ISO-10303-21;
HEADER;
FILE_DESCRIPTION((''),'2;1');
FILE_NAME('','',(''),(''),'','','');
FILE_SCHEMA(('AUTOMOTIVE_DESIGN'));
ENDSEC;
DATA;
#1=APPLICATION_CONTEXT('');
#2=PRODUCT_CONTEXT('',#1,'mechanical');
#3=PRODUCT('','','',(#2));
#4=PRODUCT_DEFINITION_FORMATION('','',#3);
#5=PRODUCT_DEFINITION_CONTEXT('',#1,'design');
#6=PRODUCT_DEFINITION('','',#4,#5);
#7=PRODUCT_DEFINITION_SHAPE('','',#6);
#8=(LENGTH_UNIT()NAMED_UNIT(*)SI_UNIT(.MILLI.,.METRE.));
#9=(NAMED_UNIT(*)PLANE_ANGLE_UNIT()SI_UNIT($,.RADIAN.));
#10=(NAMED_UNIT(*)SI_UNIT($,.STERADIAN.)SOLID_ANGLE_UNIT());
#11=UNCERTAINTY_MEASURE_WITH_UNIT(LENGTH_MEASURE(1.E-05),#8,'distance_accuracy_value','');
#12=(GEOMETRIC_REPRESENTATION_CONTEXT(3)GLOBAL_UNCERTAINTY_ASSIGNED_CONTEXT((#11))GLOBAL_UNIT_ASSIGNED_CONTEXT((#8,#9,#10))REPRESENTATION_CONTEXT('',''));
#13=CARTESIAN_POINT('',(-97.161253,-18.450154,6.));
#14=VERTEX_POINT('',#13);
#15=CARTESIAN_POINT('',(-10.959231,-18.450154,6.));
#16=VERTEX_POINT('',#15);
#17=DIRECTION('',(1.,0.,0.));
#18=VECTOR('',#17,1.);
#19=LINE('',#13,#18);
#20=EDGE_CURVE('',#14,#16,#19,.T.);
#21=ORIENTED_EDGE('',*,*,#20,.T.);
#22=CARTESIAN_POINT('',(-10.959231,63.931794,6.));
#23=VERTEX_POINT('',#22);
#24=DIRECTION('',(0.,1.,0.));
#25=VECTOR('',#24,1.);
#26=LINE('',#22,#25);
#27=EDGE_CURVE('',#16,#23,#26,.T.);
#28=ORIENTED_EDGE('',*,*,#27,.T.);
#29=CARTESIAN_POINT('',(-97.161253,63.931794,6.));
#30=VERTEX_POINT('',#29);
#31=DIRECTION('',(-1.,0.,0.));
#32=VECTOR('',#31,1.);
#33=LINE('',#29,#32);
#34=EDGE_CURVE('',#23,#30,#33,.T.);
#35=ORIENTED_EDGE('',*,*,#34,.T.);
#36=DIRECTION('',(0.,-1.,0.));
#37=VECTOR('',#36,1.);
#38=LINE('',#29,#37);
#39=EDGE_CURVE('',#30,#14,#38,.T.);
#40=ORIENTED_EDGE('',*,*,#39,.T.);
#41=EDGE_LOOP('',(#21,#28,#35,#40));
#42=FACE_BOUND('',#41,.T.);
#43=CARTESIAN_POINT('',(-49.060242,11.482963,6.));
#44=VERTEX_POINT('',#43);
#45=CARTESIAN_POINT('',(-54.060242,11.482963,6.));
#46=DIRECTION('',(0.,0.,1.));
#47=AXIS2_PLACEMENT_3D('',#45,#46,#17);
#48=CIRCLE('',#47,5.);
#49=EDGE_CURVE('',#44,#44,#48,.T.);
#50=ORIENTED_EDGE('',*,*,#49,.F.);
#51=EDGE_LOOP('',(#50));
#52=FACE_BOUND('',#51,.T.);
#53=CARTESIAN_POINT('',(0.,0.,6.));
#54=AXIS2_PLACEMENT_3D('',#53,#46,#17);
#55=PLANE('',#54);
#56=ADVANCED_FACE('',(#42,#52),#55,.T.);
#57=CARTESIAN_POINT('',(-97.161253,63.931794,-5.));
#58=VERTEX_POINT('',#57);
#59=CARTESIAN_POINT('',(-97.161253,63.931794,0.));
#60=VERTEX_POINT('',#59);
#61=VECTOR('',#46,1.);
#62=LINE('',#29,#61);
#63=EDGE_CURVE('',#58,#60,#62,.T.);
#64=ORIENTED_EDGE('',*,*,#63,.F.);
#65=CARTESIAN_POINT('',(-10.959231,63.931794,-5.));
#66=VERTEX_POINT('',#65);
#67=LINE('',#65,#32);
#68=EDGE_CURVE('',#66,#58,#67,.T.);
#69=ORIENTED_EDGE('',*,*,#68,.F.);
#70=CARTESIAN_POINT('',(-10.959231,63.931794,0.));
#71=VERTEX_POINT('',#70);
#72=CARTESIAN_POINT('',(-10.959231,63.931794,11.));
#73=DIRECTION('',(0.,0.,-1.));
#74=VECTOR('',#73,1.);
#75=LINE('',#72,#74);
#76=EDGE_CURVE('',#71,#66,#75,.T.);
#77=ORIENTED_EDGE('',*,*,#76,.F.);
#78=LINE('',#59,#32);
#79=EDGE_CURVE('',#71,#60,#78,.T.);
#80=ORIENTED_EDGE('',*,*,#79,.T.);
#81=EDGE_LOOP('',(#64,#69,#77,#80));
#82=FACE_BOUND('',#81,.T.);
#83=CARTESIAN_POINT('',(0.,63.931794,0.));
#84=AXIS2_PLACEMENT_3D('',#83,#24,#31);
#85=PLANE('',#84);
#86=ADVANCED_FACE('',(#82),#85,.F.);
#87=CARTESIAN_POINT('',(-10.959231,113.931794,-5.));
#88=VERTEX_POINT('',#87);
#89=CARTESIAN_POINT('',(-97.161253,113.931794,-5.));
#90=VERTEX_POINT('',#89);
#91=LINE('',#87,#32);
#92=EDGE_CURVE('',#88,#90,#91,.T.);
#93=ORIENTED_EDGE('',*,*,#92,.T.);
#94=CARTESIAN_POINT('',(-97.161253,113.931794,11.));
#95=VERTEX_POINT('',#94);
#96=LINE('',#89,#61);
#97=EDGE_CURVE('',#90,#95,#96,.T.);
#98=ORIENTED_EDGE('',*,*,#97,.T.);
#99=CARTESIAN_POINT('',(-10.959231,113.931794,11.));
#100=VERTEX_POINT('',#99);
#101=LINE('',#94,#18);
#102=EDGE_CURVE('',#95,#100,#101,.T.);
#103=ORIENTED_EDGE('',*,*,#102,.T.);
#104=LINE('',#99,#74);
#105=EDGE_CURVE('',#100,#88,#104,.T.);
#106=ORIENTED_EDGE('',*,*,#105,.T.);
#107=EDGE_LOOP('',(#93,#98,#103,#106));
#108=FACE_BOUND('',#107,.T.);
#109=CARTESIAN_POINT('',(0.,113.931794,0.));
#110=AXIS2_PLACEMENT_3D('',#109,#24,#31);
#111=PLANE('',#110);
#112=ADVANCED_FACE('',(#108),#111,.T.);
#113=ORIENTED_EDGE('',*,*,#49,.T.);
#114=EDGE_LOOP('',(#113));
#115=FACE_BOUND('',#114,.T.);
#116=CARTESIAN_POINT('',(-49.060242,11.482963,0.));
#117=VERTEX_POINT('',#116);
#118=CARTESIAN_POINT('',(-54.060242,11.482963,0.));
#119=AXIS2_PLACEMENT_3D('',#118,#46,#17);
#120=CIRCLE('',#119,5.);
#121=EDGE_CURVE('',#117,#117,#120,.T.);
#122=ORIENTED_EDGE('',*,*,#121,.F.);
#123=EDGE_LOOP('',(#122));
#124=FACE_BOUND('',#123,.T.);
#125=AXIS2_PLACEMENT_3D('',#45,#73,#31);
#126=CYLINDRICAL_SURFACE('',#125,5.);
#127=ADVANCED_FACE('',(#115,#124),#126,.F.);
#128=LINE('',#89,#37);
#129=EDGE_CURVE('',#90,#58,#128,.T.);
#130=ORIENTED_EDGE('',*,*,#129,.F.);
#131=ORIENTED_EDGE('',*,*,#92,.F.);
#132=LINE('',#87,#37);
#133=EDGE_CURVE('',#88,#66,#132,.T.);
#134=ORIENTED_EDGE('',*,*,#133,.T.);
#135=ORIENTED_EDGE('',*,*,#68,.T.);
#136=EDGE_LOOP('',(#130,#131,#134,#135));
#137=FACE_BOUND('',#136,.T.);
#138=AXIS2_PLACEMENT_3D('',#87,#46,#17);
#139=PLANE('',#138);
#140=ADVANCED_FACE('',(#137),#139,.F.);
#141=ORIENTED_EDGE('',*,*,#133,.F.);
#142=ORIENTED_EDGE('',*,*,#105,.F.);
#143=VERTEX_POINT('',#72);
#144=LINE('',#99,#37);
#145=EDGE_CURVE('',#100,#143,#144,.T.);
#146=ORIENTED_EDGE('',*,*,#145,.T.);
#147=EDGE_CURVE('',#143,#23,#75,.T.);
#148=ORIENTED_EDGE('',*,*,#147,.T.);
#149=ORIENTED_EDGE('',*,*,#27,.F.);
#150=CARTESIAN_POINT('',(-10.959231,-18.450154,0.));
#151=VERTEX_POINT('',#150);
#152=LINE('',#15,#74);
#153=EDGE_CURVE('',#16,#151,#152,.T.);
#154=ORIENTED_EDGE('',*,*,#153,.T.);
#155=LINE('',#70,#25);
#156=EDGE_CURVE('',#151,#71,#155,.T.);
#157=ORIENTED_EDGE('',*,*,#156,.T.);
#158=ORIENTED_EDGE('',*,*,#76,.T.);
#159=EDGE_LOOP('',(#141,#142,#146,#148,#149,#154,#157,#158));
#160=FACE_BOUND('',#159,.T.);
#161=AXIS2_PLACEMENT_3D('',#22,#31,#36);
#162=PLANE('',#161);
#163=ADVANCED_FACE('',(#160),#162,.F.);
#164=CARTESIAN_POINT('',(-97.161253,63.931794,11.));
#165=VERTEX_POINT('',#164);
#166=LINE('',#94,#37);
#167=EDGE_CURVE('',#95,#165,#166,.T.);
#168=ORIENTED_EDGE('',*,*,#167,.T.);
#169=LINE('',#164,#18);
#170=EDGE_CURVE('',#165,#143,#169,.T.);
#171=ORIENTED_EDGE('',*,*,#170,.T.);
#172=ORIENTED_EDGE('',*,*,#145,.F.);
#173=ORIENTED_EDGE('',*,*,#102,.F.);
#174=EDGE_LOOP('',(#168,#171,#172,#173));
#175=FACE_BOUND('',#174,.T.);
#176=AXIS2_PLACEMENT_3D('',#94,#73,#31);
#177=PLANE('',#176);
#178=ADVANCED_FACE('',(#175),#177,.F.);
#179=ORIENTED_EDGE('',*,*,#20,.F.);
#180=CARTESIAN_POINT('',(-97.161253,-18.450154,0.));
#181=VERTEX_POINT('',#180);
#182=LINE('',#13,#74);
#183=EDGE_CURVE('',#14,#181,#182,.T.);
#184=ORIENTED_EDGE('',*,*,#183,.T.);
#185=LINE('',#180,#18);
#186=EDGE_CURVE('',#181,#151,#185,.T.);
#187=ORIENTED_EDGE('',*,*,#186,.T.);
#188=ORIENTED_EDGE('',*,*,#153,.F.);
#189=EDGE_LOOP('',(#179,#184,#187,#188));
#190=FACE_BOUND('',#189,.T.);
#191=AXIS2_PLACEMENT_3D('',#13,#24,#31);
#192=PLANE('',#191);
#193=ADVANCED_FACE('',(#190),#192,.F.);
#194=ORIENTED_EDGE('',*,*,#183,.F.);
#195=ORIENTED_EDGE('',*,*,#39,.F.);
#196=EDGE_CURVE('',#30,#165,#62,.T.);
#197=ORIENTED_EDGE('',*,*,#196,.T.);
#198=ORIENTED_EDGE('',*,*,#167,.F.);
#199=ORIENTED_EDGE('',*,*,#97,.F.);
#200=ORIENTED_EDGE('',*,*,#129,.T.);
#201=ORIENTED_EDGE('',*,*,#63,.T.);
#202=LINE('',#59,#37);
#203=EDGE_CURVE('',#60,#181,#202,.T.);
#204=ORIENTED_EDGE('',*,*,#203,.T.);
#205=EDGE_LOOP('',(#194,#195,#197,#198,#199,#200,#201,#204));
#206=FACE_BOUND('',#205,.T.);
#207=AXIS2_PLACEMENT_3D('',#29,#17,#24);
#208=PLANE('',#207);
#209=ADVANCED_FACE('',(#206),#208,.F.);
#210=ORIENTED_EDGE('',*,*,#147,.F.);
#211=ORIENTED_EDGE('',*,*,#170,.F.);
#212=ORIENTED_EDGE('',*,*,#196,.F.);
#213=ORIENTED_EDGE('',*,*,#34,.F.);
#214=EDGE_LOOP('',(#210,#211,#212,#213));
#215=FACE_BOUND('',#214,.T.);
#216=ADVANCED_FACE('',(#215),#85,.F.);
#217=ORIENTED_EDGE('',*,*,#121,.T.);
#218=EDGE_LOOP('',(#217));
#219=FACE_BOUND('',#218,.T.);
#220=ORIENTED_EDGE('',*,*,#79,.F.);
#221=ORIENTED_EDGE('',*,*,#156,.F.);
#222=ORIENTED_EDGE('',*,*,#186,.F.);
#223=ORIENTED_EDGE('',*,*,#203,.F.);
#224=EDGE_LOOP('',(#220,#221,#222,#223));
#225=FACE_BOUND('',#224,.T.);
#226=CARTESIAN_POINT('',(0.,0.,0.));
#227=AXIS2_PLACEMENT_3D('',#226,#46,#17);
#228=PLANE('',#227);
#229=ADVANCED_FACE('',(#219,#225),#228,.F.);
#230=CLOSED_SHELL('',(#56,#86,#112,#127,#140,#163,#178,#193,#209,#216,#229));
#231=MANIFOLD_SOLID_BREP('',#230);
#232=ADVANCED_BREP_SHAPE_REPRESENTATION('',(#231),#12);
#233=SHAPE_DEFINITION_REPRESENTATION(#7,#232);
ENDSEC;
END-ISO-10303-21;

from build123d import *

# Parameters (mm, degrees)
SKETCH1_W           = 86.202021521
SKETCH1_H           = 82.381948497
SKETCH1_R           = 5
BOSS_EXTRUDE1_DEPTH = 6
BOSS_EXTRUDE2_DEPTH = 50


with BuildPart() as part:
    # Sketch1 → Boss-Extrude1 (new body)
    with BuildSketch(Plane.XY):
        with Locations((-54.060241917, 22.740820087)):
            Rectangle(SKETCH1_W, SKETCH1_H)
        with Locations((-54.060241916, 11.48296308)):
            Circle(SKETCH1_R, mode=Mode.SUBTRACT)
    extrude(amount=BOSS_EXTRUDE1_DEPTH)

    # Sketch2 → Boss-Extrude2 (add)
    with BuildSketch(Plane(origin=(0, 63.931794335, 0), x_dir=(1, 0, 0), z_dir=(0, 1, 0))):
        Polygon((-97.161252677, -6), (-97.161252677, -11), (-10.959231156, -11), (-10.959231156, 5), (-97.161252677, 5), align=None)
    extrude(amount=BOSS_EXTRUDE2_DEPTH)


solid = part.part
